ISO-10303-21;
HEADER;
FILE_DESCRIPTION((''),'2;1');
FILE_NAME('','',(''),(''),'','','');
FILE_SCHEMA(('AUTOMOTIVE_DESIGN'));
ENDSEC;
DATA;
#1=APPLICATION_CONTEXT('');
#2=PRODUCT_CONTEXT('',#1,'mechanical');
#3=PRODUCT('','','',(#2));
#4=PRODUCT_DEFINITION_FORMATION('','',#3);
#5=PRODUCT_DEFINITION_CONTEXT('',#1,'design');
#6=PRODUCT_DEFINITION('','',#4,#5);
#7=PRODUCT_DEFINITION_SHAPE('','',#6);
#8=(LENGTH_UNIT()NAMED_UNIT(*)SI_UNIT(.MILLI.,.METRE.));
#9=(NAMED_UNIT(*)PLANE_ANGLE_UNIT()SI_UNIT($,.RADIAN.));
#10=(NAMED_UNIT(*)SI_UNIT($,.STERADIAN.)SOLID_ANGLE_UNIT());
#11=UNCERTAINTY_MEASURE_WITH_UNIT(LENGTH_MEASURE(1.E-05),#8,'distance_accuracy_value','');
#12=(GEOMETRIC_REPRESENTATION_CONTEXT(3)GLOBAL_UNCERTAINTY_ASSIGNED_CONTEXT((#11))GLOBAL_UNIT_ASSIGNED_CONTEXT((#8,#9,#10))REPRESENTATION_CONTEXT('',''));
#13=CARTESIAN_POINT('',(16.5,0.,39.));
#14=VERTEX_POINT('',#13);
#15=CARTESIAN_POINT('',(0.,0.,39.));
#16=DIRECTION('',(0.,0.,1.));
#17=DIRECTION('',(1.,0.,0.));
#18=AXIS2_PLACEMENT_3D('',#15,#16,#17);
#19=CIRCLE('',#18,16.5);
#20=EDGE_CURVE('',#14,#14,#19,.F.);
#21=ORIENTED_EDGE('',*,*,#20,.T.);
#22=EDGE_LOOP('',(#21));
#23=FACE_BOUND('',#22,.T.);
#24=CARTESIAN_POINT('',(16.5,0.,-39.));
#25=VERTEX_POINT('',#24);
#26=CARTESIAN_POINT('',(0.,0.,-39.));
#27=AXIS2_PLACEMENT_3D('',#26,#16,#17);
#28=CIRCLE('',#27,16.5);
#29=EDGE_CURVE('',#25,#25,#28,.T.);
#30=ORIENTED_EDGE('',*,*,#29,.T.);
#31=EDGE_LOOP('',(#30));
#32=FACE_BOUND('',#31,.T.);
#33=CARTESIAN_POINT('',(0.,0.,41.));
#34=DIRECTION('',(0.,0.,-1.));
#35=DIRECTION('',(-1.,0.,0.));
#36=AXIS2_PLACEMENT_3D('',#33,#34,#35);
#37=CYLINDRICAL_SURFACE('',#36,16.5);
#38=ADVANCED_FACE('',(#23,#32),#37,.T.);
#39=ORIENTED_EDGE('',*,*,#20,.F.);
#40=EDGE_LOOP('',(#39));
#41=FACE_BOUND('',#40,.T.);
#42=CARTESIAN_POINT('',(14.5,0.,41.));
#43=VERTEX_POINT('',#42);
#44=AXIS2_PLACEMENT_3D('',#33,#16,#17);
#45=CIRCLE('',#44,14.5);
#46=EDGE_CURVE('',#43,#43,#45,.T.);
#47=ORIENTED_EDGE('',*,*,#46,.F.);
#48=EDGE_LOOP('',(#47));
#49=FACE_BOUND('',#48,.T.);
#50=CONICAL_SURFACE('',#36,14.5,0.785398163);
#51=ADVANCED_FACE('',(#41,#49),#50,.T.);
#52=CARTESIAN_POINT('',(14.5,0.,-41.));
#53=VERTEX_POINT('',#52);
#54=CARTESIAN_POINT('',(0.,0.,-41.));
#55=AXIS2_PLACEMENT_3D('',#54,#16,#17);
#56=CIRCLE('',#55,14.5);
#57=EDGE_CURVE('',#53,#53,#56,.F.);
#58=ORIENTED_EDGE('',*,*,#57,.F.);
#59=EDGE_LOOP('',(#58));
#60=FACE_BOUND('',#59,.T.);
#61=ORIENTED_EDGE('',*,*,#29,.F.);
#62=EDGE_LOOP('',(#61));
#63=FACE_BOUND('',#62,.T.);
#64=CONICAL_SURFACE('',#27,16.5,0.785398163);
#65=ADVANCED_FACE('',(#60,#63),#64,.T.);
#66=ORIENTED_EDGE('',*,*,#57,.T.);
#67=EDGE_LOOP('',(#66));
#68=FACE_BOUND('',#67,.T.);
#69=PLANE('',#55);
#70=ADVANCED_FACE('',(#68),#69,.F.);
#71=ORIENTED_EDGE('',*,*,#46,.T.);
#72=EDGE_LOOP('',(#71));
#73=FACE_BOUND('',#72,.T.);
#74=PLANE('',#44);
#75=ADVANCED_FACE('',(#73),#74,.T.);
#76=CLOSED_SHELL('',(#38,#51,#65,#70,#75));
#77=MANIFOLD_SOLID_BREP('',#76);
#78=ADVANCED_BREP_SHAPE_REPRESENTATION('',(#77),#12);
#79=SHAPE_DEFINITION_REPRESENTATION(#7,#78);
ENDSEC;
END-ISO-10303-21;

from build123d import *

# Parameters (mm, degrees)
SKETCH1_R           = 16.5
BOSS_EXTRUDE1_DEPTH = 41
CHAMFER1_SIZE       = 2


with BuildPart() as part:
    # Sketch1 → Boss-Extrude1 (new body, symmetric)
    with BuildSketch(Plane.XY):
        Circle(SKETCH1_R)
    extrude(amount=BOSS_EXTRUDE1_DEPTH, both=True)

    # Chamfer1
    chamfer1_edges = [part.edges().sort_by_distance(p)[0] for p in [
        (-16.5, 0, -41),
        (-16.5, 0, 41),
    ]]
    chamfer(chamfer1_edges, length=CHAMFER1_SIZE)


solid = part.part
